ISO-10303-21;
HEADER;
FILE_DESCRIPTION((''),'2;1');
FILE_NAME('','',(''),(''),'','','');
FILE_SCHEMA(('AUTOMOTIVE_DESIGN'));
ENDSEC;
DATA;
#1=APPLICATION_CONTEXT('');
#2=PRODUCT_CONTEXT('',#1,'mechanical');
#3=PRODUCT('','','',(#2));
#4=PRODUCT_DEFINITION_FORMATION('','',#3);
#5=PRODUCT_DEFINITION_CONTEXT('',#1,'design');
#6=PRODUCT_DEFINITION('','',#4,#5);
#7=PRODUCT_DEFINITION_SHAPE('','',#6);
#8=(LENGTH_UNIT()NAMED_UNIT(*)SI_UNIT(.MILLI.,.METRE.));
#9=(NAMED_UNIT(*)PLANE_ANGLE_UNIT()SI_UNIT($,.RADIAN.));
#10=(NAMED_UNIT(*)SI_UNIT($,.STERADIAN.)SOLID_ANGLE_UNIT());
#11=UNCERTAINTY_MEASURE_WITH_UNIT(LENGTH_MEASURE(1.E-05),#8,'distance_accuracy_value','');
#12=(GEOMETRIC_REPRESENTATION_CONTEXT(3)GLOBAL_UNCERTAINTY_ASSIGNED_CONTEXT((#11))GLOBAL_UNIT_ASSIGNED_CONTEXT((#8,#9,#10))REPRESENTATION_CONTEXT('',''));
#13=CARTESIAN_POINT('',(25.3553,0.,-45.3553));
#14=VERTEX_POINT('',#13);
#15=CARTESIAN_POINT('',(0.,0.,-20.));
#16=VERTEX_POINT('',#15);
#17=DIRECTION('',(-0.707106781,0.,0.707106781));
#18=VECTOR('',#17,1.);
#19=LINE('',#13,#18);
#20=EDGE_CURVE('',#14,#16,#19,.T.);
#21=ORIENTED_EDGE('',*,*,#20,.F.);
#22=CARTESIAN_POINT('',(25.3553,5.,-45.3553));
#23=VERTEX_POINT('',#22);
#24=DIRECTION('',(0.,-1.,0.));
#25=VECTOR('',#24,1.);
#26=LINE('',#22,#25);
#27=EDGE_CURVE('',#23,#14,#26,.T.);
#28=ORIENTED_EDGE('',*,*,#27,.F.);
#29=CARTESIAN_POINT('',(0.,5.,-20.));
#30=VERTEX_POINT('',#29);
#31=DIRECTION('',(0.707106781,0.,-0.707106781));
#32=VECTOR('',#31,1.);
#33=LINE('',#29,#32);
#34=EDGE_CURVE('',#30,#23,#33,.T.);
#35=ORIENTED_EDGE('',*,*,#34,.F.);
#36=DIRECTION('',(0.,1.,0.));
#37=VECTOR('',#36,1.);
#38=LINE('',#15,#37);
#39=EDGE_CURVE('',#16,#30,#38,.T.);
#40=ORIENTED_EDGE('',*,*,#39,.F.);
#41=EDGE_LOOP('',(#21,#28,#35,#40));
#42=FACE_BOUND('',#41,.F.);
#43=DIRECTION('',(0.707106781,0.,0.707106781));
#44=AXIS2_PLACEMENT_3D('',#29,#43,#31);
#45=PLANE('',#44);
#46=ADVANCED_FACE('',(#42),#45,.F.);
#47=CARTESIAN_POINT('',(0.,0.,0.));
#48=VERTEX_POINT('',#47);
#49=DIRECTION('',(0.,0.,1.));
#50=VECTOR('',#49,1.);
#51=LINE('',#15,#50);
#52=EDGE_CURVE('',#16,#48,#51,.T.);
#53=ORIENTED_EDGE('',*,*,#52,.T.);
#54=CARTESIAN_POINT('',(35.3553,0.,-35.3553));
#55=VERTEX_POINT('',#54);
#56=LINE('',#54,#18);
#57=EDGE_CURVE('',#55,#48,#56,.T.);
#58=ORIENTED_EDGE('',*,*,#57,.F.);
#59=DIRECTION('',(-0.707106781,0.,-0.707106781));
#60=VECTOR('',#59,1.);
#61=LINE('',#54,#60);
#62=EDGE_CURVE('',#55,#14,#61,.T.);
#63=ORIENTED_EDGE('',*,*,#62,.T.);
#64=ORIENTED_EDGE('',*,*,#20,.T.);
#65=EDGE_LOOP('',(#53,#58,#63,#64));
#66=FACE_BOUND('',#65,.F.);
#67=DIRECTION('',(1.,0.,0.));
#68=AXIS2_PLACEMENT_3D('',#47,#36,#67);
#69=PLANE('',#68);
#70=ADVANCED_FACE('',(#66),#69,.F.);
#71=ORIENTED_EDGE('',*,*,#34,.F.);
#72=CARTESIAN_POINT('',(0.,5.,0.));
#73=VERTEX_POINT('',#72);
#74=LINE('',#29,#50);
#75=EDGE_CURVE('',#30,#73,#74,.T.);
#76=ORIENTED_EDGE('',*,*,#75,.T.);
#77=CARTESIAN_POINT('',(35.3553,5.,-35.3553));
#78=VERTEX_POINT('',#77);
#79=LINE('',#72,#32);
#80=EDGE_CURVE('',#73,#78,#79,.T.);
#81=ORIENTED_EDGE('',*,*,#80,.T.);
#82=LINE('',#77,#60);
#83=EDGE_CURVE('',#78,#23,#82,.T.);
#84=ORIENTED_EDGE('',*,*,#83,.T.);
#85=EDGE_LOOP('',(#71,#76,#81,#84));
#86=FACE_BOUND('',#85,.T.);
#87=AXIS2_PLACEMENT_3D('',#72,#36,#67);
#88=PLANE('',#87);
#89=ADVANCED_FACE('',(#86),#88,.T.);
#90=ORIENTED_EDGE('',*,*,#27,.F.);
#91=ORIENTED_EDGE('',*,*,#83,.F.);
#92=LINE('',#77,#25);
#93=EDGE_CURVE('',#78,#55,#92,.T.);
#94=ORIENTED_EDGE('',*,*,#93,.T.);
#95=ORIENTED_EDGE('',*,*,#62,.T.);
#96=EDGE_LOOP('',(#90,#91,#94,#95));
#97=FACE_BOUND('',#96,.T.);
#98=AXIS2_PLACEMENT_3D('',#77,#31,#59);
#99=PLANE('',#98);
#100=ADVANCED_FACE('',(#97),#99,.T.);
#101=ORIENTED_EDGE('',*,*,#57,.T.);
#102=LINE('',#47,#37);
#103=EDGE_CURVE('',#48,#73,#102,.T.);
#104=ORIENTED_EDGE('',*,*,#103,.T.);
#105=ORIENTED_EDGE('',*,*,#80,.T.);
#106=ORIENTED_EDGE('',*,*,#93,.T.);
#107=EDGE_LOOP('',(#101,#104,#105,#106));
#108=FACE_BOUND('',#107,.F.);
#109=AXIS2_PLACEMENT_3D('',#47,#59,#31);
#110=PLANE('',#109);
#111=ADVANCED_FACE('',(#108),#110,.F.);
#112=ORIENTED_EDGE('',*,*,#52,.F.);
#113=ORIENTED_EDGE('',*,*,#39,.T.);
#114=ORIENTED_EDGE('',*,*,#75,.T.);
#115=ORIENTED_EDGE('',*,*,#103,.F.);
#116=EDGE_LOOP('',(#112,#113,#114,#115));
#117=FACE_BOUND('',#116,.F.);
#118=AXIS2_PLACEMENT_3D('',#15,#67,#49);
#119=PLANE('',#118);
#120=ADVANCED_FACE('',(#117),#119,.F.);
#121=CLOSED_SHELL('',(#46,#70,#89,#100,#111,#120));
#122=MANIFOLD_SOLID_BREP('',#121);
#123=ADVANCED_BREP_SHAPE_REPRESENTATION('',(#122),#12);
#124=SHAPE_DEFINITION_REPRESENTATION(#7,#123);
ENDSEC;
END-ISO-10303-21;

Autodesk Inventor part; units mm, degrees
ref_plane "YZ Plane" through (0, 0, 0) normal (1, 0, 0) x (0, 1, 0)
ref_plane "XZ Plane" through (0, 0, 0) normal (0, 1, 0) x (-1, 0, 0)
ref_plane "XY Plane" through (0, 0, 0) normal (0, 0, 1) x (1, 0, 0)
sketch "Szkic3" plane through (0, 0, 0) normal (0, 1, 0) x (-1, 0, 0)
  line L0 (0, 0) -> (-20, 0)
  line L1 (-20, 0) -> (-20, -20)
  line L2 (-20, -20) -> (0, -20)
  line L3 (0, -20) -> (0, 0)
  dimension "d6" = 20
  dimension "d7" = 20
extrude "Wyciągnięcie proste3" add sketch "Szkic3" along normal blind 5
sketch "Szkic4" plane through (0, 0, 0) normal (0, -1, 0) x (1, 0, 0)
  line L0 (0, 0) -> (20, 0) projected
  line L1 (20, 0) -> (20, -20) projected
  line L2 (0, 0) -> (20, -20)
  line L3 (20, -20) -> (20, 0)
  line L4 (20, 0) -> (0, 0)
extrude "Wyciągnięcie proste4" cut sketch "Szkic4" against normal blind 5
sketch "Szkic5" plane through (0, 5, 0) normal (0, 1, 0) x (1, 0, 0)
  line L0 (20, 20) -> (0, 20) projected
  line L1 (0, 20) -> (25.3553, 45.3553)
  line L2 (0, 20) -> (35.8579, 20) construction
  line L3 (0, 0) -> (20, 20) projected
  line L4 (0, 0) -> (35.3553, 35.3553)
  line L5 (0, 0) -> (50, 0) construction
  line L6 (10.8927, 30.8927) -> (33.735, 53.735)
  line L7 (10.8927, 30.8927) -> (43.1966, 30.8927) construction
  line L8 (35.3553, 35.3553) -> (25.3553, 45.3553)
  dimension "d12" = 45
  dimension "d13" = 50
  dimension "d14" = 45
  dimension "d15" = 45
extrude "Wyciągnięcie proste5" add sketch "Szkic5" against normal blind 5
properties part number "Helenowiak_podpora"
